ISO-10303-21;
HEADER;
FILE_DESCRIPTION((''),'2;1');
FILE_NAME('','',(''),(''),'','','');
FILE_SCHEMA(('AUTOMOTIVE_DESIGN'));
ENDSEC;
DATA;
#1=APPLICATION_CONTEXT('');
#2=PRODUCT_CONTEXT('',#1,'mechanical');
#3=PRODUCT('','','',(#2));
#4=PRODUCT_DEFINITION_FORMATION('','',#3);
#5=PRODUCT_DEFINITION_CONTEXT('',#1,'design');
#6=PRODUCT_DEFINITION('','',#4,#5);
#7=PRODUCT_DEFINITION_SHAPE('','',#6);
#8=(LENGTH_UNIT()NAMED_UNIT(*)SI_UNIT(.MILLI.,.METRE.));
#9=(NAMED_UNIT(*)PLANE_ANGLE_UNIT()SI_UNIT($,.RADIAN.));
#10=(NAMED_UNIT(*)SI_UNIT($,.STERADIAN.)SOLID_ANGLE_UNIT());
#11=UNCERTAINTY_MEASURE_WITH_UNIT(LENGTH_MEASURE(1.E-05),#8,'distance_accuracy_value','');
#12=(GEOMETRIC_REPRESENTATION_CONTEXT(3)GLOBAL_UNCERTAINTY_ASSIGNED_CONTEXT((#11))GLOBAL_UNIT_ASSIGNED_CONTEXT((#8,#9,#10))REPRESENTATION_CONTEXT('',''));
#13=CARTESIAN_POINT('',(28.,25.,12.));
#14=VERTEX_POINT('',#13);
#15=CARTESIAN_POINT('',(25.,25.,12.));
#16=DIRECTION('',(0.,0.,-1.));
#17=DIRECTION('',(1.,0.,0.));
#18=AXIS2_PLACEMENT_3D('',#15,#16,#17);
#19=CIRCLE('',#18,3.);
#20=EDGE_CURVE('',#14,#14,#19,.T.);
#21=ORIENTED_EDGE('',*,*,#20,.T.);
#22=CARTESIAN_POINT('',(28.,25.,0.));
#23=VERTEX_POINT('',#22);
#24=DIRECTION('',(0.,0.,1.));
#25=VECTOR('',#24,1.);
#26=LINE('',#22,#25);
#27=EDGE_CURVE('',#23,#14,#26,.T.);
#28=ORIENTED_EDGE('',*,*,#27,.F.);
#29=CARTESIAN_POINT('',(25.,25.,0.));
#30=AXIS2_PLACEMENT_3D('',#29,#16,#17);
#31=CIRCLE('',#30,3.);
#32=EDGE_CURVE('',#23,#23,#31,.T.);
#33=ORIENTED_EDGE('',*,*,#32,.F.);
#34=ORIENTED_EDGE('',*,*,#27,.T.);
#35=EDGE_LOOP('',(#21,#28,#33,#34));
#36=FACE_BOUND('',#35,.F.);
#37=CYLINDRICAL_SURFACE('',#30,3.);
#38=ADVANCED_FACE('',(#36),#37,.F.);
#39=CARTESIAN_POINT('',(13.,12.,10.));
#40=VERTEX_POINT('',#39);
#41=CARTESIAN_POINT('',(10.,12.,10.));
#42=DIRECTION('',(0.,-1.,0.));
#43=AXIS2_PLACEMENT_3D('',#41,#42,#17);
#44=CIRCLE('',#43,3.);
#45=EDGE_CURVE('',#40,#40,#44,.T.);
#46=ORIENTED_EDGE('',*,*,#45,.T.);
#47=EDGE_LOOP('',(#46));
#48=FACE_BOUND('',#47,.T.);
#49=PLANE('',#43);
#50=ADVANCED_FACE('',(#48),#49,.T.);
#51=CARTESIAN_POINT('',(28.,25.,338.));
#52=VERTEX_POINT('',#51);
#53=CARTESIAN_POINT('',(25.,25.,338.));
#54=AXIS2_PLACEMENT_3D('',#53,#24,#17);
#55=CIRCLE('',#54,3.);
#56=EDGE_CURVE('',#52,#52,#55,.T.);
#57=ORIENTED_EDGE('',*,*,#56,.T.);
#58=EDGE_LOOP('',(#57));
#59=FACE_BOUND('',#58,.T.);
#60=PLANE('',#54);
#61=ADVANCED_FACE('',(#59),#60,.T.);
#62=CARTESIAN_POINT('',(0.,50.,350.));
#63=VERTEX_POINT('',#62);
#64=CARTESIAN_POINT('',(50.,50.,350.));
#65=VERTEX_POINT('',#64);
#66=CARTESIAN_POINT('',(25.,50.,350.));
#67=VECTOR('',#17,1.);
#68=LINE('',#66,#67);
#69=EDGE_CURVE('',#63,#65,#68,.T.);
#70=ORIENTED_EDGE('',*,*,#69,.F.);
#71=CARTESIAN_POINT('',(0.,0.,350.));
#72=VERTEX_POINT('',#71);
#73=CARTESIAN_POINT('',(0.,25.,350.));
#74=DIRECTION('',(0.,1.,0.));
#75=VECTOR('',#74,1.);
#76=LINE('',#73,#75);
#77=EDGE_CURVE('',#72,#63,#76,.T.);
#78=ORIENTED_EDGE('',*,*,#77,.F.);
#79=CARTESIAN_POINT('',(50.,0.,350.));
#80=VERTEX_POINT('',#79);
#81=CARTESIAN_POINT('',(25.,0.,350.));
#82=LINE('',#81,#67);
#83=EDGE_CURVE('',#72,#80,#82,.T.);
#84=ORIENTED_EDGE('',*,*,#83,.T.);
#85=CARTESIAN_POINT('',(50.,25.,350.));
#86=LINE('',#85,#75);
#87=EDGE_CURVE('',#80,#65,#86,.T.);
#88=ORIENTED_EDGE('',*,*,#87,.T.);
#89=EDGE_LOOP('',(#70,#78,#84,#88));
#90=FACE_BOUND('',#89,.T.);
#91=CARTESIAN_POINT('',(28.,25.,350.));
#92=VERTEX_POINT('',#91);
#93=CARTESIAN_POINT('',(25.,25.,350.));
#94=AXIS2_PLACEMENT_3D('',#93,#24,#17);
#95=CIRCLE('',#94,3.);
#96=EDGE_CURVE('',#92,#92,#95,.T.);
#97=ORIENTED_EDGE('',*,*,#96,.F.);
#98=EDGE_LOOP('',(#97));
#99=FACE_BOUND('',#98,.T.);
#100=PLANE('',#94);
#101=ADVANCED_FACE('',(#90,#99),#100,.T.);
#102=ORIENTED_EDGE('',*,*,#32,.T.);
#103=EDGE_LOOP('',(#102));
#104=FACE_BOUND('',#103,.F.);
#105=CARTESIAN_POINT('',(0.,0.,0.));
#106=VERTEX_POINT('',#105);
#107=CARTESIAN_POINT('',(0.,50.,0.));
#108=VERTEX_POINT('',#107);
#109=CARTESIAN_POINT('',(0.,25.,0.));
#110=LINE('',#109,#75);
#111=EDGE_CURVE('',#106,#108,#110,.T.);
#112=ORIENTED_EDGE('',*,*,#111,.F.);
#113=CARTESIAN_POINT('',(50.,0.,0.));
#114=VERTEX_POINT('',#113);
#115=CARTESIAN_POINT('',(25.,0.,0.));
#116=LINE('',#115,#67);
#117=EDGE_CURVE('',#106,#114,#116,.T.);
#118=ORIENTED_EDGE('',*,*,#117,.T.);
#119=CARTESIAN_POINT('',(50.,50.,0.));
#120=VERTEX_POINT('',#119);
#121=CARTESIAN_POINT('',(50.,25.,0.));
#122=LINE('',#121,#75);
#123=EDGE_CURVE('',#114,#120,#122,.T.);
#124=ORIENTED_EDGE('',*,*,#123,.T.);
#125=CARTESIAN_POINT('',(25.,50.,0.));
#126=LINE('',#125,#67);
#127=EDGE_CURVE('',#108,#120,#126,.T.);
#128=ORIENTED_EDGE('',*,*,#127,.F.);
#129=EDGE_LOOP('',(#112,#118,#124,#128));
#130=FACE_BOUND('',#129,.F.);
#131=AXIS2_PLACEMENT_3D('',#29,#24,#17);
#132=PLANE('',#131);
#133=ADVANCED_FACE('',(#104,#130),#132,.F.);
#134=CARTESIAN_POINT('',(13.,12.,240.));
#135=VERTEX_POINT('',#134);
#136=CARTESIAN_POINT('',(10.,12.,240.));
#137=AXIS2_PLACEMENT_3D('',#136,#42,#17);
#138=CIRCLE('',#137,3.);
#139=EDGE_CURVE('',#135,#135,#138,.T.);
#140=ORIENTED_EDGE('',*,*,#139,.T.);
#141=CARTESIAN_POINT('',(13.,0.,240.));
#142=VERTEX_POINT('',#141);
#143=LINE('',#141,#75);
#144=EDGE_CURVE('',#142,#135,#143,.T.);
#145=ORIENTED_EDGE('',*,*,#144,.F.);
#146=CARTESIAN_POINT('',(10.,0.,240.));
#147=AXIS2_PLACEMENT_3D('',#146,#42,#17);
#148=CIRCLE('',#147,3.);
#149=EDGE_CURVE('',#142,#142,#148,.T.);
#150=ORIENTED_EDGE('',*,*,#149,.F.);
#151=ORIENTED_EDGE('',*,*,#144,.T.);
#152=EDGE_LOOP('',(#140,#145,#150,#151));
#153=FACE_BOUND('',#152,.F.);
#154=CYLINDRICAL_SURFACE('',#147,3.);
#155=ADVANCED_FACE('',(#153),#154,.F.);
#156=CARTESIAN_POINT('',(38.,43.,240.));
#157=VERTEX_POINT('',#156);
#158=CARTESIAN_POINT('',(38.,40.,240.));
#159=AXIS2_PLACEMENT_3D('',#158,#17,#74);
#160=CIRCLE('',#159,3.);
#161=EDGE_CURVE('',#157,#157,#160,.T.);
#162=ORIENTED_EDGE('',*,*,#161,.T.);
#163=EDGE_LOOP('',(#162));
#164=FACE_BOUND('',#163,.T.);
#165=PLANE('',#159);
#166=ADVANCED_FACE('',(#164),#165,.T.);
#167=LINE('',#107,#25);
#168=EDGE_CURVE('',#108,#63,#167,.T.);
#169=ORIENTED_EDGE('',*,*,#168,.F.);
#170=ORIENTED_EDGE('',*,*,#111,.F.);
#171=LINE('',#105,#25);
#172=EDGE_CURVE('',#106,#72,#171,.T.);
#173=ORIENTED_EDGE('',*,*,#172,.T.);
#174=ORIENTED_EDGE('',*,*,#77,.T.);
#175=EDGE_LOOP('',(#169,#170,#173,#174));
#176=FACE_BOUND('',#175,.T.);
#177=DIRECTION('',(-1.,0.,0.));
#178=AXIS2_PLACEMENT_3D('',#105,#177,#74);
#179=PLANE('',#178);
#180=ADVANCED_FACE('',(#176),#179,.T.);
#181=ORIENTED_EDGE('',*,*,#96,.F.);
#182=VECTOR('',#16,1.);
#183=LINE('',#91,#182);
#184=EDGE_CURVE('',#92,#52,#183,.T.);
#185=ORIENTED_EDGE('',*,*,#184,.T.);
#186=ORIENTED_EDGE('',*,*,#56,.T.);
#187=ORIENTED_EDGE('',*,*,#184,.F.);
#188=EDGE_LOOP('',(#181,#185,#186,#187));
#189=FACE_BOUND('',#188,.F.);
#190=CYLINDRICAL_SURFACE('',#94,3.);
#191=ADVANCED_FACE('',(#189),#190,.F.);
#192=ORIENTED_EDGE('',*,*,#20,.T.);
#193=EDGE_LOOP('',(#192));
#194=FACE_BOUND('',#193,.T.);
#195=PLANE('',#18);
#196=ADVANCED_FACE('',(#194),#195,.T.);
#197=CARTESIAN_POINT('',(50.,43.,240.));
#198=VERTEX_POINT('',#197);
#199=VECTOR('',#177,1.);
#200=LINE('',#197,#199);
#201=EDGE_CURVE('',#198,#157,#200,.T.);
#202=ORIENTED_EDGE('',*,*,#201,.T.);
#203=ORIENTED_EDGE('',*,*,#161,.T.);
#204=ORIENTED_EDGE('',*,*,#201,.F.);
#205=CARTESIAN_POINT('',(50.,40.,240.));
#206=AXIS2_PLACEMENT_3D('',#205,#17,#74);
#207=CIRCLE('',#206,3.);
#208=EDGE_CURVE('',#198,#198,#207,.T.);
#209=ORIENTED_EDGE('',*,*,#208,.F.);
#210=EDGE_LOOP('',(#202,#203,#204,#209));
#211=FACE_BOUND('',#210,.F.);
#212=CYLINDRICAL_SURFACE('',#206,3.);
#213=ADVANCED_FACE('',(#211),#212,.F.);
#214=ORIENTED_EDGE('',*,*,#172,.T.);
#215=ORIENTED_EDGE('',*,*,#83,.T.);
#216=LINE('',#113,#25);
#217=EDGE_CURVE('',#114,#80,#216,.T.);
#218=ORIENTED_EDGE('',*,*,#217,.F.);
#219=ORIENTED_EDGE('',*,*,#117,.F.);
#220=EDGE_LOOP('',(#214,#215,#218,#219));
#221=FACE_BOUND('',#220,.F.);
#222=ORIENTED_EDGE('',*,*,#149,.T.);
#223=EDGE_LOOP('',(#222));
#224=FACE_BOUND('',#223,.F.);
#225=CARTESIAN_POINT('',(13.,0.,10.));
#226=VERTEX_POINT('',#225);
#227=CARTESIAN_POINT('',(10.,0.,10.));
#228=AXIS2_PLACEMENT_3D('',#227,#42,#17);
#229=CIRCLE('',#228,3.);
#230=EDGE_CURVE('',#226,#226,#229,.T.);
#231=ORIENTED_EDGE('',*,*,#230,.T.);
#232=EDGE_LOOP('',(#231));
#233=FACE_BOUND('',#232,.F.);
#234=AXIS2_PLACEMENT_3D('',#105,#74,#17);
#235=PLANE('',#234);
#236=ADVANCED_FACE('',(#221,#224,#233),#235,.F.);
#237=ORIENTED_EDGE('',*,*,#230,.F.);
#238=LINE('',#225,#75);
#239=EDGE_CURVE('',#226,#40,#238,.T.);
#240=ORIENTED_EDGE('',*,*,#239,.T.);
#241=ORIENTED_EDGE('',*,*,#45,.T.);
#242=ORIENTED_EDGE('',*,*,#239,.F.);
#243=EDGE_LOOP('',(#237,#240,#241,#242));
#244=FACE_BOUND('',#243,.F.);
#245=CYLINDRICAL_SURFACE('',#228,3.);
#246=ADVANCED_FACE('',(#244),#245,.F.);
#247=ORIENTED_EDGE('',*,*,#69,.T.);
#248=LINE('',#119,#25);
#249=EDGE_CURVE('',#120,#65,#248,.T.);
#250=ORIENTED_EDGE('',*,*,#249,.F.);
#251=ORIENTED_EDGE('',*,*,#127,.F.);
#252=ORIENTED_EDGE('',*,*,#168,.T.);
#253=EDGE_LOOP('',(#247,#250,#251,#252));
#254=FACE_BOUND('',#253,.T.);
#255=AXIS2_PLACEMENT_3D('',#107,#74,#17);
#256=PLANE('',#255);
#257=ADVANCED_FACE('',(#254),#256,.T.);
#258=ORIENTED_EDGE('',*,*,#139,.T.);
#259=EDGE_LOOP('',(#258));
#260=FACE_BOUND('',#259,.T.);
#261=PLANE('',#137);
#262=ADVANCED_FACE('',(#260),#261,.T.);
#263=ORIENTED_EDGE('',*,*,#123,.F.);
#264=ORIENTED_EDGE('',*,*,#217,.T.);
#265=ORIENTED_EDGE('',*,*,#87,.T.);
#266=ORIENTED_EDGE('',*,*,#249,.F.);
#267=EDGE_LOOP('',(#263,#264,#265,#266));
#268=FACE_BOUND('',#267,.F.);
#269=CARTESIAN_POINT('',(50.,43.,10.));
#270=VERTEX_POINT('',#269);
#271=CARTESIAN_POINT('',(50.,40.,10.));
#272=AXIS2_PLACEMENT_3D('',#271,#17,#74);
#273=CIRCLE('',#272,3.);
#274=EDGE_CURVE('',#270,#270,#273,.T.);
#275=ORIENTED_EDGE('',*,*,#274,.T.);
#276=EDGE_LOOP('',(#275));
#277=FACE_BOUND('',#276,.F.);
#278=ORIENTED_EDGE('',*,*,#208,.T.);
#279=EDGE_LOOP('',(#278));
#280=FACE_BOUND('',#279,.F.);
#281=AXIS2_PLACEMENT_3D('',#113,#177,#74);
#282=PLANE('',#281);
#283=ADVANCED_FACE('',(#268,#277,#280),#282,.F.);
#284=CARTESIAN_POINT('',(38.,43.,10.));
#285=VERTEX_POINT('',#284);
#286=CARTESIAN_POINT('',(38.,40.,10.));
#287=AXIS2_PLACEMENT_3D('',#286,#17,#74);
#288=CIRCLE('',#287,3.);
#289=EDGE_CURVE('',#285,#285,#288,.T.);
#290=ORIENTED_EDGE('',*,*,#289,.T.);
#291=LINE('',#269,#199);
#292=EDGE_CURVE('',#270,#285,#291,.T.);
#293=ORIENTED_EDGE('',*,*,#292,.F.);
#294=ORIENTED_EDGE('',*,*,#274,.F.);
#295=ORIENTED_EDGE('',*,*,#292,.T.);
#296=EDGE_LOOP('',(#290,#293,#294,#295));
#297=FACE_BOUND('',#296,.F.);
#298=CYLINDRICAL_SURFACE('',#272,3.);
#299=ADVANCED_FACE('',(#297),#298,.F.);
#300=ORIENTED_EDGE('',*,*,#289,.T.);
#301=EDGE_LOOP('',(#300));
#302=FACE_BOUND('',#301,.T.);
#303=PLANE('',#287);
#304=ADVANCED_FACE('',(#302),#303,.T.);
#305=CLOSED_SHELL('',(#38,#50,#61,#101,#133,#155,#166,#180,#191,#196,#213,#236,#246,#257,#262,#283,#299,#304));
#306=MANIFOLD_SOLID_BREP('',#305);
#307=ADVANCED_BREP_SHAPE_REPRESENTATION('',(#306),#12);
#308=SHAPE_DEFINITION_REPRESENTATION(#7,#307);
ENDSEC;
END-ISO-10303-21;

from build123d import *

# Parameters (mm, degrees)
F0_W     = 50
F0_H     = 50
F1_DEPTH = 350
F2_R     = 3
F3_DEPTH = 12
F4_R     = 3
F5_DEPTH = 12
F6_R     = 3
F7_DEPTH = 12
F8_R     = 3
F9_DEPTH = 12


with BuildPart() as f1:
    # F0 (on Top) → F1 (new body)
    with BuildSketch(Plane.XY):
        with Locations((25, 25)):
            Rectangle(F0_W, F0_H)
    extrude(amount=F1_DEPTH)

    # F2 (on face) → F3 (cut)
    with BuildSketch(Plane.XY.offset(350)):
        with Locations((25, 25)):
            Circle(F2_R)
    extrude(amount=-F3_DEPTH, mode=Mode.SUBTRACT)

    # F4 (on face) → F5 (cut)
    with BuildSketch(Plane.XZ):
        with Locations((10, 240)):
            Circle(F4_R)
        with Locations((10, 10)):
            Circle(F4_R)
    extrude(amount=-F5_DEPTH, mode=Mode.SUBTRACT)

    # F6 (on face) → F7 (cut)
    with BuildSketch(Plane.YZ.offset(50)):
        with Locations((40, 240)):
            Circle(F6_R)
        with Locations((40, 10)):
            Circle(F6_R)
    extrude(amount=-F7_DEPTH, mode=Mode.SUBTRACT)

    # F8 (on face) → F9 (cut)
    with BuildSketch(Plane(origin=(0, 0, 0), x_dir=(1, 0, 0), z_dir=(0, 0, -1))):
        with Locations((25, -25)):
            Circle(F8_R)
    extrude(amount=-F9_DEPTH, mode=Mode.SUBTRACT)


solid = f1.part
